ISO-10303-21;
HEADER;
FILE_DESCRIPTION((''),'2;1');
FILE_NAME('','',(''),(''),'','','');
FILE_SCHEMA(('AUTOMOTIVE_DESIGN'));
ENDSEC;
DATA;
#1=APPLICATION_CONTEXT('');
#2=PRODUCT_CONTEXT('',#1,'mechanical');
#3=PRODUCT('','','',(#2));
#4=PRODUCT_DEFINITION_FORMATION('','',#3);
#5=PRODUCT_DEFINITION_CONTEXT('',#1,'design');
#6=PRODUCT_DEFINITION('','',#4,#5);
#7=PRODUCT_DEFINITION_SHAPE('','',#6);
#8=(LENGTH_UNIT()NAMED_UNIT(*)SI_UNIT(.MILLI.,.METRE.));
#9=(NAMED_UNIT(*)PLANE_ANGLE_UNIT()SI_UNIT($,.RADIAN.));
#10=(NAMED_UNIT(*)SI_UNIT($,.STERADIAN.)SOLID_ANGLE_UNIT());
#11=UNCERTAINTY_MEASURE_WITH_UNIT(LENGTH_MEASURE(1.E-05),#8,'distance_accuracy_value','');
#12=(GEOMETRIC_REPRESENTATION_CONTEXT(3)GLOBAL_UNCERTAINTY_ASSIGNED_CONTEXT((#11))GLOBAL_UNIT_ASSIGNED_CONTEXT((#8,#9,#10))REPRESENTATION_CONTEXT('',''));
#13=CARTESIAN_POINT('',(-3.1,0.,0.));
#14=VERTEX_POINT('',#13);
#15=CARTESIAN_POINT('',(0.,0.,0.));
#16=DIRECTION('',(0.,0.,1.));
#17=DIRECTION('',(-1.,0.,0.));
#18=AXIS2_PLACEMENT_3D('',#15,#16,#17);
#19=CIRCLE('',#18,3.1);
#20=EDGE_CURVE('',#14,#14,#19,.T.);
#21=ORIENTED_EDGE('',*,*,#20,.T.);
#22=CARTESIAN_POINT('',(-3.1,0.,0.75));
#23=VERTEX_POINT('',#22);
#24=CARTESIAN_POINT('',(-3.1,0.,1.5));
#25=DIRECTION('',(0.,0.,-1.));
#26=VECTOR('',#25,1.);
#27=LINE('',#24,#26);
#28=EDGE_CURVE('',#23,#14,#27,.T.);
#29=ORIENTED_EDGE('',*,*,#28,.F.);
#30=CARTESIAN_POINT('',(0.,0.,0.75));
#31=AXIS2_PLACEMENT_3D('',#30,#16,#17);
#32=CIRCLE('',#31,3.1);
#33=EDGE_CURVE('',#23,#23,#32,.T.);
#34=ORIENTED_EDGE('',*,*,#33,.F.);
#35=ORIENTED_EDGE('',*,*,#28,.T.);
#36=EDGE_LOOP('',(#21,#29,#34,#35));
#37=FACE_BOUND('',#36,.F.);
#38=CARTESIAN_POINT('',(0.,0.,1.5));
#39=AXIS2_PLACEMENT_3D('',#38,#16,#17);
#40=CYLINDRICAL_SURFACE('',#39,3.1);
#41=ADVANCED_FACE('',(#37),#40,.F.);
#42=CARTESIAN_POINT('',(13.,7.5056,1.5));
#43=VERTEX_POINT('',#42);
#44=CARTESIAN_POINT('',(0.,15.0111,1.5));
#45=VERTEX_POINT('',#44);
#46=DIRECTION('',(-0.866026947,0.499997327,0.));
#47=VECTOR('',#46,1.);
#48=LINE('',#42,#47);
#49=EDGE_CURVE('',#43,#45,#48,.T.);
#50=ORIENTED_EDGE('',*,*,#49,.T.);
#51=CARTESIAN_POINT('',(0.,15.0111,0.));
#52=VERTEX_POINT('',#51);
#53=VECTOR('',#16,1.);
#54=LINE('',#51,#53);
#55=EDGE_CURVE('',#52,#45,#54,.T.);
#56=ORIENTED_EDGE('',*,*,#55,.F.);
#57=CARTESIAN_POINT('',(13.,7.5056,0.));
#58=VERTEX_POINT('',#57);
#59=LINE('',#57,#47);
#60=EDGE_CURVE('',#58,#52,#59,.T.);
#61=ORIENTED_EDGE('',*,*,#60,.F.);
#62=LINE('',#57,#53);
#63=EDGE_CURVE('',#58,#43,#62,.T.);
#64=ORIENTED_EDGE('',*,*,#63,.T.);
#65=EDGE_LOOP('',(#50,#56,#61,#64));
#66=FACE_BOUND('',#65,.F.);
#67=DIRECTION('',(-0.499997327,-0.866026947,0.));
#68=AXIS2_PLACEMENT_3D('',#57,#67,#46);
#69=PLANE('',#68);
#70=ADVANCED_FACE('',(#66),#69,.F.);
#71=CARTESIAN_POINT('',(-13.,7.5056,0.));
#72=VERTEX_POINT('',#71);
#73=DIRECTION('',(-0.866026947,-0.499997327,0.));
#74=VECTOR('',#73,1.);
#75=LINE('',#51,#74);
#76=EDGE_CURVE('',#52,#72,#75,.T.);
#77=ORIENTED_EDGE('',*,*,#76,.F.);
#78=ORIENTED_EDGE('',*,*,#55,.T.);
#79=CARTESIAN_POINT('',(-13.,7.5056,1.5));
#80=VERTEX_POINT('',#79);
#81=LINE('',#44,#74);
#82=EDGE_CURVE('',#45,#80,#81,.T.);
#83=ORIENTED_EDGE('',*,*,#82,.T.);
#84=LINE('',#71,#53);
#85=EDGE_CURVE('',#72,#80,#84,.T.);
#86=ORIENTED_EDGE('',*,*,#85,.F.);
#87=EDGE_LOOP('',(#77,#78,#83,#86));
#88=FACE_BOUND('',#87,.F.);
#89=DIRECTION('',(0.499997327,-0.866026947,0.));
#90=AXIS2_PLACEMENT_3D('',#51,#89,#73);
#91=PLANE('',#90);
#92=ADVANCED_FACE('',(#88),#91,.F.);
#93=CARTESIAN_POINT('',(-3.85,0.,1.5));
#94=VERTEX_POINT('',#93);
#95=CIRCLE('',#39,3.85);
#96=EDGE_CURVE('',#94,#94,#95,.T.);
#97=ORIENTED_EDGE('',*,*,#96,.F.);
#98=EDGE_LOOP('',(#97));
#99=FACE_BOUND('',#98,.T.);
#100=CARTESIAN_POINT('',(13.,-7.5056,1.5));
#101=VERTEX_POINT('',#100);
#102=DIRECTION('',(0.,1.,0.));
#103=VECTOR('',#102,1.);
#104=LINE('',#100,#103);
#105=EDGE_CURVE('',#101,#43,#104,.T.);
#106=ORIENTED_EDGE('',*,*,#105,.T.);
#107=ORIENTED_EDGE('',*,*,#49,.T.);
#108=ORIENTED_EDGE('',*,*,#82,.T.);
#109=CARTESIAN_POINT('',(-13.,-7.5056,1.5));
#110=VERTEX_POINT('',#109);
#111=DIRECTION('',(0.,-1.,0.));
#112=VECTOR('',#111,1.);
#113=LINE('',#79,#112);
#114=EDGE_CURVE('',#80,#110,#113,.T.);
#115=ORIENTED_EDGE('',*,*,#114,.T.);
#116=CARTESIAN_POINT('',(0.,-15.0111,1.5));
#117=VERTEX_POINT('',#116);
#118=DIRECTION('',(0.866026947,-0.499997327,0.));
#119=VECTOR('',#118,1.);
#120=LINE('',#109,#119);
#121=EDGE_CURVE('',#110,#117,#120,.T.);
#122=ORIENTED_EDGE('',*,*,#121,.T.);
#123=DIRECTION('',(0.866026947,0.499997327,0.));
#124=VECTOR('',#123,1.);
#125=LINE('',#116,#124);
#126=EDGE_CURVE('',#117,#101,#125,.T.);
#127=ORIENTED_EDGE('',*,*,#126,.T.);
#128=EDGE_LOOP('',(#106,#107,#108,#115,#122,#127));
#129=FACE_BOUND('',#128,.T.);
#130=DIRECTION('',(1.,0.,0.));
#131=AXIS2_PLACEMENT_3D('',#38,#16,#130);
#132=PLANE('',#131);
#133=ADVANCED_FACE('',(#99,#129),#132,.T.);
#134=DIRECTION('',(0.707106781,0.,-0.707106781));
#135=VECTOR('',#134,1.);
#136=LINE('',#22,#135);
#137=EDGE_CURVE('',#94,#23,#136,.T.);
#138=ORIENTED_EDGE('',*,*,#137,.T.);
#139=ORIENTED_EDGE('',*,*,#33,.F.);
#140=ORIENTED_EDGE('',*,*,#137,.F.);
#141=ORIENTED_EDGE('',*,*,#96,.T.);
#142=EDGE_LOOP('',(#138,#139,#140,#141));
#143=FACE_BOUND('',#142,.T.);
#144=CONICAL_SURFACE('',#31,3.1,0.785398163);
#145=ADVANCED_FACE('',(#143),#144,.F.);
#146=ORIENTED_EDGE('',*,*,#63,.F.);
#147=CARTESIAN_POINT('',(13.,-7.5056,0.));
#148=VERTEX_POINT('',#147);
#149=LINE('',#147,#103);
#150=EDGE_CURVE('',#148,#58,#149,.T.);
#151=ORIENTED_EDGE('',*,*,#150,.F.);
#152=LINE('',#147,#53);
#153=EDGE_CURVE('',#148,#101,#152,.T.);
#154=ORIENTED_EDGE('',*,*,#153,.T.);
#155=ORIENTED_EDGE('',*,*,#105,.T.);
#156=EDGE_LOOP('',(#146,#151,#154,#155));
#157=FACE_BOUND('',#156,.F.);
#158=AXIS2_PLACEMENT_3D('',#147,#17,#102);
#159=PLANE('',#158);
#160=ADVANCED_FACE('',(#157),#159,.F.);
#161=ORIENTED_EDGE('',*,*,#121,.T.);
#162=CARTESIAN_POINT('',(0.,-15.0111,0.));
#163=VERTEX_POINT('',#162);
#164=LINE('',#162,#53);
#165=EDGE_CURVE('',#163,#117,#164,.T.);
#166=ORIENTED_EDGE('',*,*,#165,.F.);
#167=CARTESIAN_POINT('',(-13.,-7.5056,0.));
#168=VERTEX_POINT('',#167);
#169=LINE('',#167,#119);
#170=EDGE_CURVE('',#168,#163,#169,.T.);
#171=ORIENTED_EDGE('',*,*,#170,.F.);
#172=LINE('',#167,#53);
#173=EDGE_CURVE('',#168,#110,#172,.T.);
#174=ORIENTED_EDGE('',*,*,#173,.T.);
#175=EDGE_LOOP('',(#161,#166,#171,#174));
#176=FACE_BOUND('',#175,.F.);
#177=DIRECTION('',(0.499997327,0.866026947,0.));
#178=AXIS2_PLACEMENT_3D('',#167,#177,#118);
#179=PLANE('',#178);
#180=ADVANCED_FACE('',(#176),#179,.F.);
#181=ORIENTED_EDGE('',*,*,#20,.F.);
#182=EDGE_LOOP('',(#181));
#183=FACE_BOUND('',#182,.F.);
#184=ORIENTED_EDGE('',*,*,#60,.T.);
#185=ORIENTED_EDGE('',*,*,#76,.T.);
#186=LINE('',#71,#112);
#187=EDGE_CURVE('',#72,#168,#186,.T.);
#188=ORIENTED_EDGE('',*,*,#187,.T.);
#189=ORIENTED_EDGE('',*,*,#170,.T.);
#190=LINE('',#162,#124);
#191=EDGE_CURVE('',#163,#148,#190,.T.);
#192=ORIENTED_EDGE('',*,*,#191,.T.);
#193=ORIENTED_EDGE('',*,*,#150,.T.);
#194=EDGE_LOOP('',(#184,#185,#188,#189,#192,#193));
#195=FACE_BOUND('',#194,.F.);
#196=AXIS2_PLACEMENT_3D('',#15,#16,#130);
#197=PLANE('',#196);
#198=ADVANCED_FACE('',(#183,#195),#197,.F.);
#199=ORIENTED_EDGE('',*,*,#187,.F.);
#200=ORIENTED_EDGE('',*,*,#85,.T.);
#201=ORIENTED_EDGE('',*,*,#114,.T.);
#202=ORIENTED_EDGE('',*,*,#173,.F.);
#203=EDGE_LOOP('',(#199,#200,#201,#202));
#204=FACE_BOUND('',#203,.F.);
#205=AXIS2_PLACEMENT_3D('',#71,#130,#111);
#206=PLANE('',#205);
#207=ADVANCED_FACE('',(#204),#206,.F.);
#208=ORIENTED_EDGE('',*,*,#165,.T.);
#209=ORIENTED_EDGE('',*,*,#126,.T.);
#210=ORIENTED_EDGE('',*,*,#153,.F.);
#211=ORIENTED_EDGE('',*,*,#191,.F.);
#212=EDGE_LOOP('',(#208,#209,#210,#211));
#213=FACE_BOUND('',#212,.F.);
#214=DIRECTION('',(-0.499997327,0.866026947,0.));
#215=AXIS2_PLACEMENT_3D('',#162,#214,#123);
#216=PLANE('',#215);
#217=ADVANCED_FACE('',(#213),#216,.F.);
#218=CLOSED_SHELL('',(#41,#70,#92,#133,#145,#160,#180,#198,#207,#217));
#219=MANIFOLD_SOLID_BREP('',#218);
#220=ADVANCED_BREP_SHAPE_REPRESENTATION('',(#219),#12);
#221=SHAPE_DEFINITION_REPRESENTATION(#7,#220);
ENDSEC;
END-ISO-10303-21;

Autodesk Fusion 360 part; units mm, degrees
sketch "Sketch1" plane through (0, 0, 0) normal (0, 0, 1) x (1, 0, 0)
  line L0 (13, 7.5056) -> (0, 15.0111)
  line L1 (0, 15.0111) -> (-13, 7.5056)
  line L2 (-13, 7.5056) -> (-13, -7.5056)
  line L3 (-13, -7.5056) -> (0, -15.0111)
  line L4 (0, -15.0111) -> (13, -7.5056)
  line L5 (13, -7.5056) -> (13, 7.5056)
  dimension "d1" = 13
extrude "Extrude1" add sketch "Sketch1" along normal blind 1.5
sketch "Sketch2" plane through (0, 0, 1.5) normal (0, 0, 1) x (-1, 0, 0)
  line L0 (-13, 7.5056) -> (-13, -7.5056)
  line L1 (-13, -7.5056) -> (0, -15.0111)
  line L2 (0, -15.0111) -> (13, -7.5056)
  line L3 (13, -7.5056) -> (13, 7.5056)
  line L4 (13, 7.5056) -> (0, 15.0111)
  line L5 (0, 15.0111) -> (-13, 7.5056)
  circle A0 centre (0, 0) radius 3.1
  dimension "d4" = 6.2
extrude "Extrude2" cut sketch "Sketch2" against normal blind 13 contours A0
chamfer "Chamfer1" distance 0.75 angle 45 1 edges at (2.8902, -1.121, 1.5)
